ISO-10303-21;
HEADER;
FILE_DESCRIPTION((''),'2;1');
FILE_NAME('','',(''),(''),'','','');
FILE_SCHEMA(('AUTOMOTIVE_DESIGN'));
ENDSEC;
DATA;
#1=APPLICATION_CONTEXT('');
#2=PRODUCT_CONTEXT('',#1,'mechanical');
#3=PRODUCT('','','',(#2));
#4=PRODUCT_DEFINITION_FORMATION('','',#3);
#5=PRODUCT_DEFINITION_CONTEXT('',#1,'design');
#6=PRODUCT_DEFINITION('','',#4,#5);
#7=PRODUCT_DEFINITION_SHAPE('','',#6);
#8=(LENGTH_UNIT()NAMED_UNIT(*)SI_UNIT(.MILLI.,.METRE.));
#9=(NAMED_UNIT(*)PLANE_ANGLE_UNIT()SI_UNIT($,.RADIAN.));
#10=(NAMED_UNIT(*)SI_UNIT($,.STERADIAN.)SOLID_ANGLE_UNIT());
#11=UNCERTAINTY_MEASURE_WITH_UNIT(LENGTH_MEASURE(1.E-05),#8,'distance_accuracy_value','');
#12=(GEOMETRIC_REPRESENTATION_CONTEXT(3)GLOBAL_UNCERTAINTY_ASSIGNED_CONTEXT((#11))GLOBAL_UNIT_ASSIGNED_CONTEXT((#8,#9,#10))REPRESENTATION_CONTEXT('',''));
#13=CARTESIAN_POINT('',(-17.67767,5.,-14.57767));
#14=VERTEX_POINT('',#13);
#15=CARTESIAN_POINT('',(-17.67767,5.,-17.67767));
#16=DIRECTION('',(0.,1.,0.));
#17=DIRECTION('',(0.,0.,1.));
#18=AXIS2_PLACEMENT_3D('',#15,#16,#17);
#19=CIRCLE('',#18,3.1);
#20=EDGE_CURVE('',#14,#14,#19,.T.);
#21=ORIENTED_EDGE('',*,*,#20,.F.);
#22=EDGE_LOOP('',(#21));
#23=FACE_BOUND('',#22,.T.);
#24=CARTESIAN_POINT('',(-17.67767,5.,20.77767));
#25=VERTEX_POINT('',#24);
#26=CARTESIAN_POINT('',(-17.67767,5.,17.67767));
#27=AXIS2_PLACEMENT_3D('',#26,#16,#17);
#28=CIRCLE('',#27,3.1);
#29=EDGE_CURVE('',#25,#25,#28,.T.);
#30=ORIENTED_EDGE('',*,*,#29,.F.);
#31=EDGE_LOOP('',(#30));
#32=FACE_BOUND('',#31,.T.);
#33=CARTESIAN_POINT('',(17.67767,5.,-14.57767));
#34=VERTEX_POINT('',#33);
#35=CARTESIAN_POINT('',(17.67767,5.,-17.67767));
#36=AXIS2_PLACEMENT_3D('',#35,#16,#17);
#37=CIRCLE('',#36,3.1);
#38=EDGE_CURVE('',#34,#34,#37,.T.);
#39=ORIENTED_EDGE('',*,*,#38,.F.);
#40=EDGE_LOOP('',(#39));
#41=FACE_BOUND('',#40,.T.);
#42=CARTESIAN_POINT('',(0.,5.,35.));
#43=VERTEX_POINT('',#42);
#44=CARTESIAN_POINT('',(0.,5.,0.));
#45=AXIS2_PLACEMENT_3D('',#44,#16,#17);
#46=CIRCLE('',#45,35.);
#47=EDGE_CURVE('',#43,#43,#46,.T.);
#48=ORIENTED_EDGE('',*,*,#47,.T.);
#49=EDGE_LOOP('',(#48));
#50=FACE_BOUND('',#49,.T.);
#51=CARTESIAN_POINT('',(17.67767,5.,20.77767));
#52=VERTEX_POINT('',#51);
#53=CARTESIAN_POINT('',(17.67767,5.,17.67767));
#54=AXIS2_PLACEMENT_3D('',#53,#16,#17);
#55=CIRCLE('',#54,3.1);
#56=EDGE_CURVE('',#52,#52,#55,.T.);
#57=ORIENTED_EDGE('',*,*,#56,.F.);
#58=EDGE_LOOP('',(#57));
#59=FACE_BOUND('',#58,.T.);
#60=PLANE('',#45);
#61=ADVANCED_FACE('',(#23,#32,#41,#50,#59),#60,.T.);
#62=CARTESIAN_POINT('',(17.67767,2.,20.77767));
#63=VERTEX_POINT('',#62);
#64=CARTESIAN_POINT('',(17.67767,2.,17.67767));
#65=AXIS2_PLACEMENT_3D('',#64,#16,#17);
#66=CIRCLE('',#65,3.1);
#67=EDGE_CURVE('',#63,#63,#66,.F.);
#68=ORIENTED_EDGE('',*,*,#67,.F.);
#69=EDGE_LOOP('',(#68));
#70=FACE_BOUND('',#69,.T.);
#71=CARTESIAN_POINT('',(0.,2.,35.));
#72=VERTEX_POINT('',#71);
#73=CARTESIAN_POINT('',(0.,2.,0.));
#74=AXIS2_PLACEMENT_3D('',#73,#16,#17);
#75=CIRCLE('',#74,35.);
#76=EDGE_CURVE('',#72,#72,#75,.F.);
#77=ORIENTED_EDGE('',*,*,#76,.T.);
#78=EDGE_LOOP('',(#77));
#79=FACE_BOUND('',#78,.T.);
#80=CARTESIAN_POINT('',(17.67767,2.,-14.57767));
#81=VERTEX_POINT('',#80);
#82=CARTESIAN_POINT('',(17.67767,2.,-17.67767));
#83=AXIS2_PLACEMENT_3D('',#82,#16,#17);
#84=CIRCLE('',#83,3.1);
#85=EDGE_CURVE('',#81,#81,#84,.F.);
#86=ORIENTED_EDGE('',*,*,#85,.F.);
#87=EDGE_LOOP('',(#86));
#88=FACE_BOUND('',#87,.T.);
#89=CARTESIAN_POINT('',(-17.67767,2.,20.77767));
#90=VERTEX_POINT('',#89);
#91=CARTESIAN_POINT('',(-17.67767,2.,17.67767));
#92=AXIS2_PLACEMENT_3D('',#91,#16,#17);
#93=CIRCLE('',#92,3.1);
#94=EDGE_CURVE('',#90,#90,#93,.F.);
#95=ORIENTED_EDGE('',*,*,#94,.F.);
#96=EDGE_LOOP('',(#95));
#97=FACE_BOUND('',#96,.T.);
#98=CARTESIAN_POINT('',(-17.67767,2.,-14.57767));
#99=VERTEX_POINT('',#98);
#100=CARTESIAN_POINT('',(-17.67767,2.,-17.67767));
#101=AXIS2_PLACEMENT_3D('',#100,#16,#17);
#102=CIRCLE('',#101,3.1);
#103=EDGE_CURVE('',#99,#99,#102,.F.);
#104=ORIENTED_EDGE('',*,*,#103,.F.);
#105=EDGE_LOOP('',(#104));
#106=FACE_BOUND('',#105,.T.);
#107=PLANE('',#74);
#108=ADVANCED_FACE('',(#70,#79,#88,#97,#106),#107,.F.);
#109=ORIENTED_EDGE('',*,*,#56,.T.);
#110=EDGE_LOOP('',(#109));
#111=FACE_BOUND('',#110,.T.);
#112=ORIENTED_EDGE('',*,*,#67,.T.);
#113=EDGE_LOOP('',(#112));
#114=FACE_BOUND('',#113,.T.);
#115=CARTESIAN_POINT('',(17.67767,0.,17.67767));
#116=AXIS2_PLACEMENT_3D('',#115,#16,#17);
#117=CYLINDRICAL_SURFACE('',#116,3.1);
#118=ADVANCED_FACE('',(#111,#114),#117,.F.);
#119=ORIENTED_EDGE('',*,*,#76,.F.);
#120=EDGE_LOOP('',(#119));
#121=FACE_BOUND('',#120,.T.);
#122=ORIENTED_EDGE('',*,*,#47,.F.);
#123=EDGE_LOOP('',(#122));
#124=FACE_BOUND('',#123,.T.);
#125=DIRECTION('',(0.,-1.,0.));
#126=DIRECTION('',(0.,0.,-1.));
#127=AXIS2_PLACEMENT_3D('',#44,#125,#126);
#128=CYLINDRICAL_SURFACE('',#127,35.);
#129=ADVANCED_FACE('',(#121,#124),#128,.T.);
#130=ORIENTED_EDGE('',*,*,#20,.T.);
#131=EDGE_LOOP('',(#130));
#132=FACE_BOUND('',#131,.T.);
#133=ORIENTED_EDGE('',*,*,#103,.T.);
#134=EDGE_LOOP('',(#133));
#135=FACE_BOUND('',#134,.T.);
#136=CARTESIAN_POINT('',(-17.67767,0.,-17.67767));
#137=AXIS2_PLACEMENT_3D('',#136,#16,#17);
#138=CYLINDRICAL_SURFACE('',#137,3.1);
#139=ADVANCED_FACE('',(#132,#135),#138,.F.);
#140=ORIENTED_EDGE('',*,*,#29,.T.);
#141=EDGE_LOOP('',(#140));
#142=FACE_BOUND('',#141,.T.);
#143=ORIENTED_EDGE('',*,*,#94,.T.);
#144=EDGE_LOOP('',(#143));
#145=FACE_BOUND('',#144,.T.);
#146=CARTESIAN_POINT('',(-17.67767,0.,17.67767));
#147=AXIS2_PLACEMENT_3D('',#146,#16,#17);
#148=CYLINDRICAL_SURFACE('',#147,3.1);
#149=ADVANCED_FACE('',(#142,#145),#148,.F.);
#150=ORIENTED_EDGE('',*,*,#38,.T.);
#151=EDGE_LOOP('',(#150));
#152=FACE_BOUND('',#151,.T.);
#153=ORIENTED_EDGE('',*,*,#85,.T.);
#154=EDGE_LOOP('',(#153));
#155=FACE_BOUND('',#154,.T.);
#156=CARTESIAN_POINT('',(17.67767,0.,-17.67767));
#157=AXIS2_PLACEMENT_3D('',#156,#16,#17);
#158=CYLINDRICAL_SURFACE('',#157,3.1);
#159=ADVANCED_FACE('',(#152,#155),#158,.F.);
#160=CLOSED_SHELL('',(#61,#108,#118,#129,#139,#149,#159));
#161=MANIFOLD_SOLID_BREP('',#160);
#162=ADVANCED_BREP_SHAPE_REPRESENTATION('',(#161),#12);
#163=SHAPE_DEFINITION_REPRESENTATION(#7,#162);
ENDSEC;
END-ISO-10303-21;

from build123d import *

# Parameters (mm, degrees)
SKETCH1_R           = 35
BOSS_EXTRUDE1_DEPTH = 5
SKETCH2_R           = 3.1
CUT_EXTRUDE1_DEPTH  = 50.749371855
SKETCH5_R           = 35
CUT_EXTRUDE4_DEPTH  = 2


with BuildPart() as part:
    # Sketch1 → Boss-Extrude1 (new body)
    with BuildSketch(Plane(origin=(0, 0, 0), x_dir=(1, 0, 0), z_dir=(0, 1, 0))):
        with Locations(Location((0, 0, 0), (0, 0, 270))):
            Circle(SKETCH1_R)
    extrude(amount=BOSS_EXTRUDE1_DEPTH)

    # Sketch2 → Cut-Extrude1 (cut, through all)
    with BuildSketch(Plane(origin=(0, 5, 0), x_dir=(1, 0, 0), z_dir=(0, 1, 0))):
        with Locations(Location((-17.67766953, 17.67766953, 0), (0, 0, 270))):
            Circle(SKETCH2_R)
        with Locations(Location((17.67766953, 17.67766953, 0), (0, 0, 270))):
            Circle(SKETCH2_R)
        with Locations(Location((17.67766953, -17.67766953, 0), (0, 0, 270))):
            Circle(SKETCH2_R)
        with Locations(Location((-17.67766953, -17.67766953, 0), (0, 0, 270))):
            Circle(SKETCH2_R)
    extrude(amount=-CUT_EXTRUDE1_DEPTH, mode=Mode.SUBTRACT)

    # Sketch5 → Cut-Extrude4 (cut)
    with BuildSketch(Plane.XZ):
        with Locations(Location((0, 0, 0), (0, 0, 90))):
            Circle(SKETCH5_R)
    extrude(amount=-CUT_EXTRUDE4_DEPTH, mode=Mode.SUBTRACT)


solid = part.part
